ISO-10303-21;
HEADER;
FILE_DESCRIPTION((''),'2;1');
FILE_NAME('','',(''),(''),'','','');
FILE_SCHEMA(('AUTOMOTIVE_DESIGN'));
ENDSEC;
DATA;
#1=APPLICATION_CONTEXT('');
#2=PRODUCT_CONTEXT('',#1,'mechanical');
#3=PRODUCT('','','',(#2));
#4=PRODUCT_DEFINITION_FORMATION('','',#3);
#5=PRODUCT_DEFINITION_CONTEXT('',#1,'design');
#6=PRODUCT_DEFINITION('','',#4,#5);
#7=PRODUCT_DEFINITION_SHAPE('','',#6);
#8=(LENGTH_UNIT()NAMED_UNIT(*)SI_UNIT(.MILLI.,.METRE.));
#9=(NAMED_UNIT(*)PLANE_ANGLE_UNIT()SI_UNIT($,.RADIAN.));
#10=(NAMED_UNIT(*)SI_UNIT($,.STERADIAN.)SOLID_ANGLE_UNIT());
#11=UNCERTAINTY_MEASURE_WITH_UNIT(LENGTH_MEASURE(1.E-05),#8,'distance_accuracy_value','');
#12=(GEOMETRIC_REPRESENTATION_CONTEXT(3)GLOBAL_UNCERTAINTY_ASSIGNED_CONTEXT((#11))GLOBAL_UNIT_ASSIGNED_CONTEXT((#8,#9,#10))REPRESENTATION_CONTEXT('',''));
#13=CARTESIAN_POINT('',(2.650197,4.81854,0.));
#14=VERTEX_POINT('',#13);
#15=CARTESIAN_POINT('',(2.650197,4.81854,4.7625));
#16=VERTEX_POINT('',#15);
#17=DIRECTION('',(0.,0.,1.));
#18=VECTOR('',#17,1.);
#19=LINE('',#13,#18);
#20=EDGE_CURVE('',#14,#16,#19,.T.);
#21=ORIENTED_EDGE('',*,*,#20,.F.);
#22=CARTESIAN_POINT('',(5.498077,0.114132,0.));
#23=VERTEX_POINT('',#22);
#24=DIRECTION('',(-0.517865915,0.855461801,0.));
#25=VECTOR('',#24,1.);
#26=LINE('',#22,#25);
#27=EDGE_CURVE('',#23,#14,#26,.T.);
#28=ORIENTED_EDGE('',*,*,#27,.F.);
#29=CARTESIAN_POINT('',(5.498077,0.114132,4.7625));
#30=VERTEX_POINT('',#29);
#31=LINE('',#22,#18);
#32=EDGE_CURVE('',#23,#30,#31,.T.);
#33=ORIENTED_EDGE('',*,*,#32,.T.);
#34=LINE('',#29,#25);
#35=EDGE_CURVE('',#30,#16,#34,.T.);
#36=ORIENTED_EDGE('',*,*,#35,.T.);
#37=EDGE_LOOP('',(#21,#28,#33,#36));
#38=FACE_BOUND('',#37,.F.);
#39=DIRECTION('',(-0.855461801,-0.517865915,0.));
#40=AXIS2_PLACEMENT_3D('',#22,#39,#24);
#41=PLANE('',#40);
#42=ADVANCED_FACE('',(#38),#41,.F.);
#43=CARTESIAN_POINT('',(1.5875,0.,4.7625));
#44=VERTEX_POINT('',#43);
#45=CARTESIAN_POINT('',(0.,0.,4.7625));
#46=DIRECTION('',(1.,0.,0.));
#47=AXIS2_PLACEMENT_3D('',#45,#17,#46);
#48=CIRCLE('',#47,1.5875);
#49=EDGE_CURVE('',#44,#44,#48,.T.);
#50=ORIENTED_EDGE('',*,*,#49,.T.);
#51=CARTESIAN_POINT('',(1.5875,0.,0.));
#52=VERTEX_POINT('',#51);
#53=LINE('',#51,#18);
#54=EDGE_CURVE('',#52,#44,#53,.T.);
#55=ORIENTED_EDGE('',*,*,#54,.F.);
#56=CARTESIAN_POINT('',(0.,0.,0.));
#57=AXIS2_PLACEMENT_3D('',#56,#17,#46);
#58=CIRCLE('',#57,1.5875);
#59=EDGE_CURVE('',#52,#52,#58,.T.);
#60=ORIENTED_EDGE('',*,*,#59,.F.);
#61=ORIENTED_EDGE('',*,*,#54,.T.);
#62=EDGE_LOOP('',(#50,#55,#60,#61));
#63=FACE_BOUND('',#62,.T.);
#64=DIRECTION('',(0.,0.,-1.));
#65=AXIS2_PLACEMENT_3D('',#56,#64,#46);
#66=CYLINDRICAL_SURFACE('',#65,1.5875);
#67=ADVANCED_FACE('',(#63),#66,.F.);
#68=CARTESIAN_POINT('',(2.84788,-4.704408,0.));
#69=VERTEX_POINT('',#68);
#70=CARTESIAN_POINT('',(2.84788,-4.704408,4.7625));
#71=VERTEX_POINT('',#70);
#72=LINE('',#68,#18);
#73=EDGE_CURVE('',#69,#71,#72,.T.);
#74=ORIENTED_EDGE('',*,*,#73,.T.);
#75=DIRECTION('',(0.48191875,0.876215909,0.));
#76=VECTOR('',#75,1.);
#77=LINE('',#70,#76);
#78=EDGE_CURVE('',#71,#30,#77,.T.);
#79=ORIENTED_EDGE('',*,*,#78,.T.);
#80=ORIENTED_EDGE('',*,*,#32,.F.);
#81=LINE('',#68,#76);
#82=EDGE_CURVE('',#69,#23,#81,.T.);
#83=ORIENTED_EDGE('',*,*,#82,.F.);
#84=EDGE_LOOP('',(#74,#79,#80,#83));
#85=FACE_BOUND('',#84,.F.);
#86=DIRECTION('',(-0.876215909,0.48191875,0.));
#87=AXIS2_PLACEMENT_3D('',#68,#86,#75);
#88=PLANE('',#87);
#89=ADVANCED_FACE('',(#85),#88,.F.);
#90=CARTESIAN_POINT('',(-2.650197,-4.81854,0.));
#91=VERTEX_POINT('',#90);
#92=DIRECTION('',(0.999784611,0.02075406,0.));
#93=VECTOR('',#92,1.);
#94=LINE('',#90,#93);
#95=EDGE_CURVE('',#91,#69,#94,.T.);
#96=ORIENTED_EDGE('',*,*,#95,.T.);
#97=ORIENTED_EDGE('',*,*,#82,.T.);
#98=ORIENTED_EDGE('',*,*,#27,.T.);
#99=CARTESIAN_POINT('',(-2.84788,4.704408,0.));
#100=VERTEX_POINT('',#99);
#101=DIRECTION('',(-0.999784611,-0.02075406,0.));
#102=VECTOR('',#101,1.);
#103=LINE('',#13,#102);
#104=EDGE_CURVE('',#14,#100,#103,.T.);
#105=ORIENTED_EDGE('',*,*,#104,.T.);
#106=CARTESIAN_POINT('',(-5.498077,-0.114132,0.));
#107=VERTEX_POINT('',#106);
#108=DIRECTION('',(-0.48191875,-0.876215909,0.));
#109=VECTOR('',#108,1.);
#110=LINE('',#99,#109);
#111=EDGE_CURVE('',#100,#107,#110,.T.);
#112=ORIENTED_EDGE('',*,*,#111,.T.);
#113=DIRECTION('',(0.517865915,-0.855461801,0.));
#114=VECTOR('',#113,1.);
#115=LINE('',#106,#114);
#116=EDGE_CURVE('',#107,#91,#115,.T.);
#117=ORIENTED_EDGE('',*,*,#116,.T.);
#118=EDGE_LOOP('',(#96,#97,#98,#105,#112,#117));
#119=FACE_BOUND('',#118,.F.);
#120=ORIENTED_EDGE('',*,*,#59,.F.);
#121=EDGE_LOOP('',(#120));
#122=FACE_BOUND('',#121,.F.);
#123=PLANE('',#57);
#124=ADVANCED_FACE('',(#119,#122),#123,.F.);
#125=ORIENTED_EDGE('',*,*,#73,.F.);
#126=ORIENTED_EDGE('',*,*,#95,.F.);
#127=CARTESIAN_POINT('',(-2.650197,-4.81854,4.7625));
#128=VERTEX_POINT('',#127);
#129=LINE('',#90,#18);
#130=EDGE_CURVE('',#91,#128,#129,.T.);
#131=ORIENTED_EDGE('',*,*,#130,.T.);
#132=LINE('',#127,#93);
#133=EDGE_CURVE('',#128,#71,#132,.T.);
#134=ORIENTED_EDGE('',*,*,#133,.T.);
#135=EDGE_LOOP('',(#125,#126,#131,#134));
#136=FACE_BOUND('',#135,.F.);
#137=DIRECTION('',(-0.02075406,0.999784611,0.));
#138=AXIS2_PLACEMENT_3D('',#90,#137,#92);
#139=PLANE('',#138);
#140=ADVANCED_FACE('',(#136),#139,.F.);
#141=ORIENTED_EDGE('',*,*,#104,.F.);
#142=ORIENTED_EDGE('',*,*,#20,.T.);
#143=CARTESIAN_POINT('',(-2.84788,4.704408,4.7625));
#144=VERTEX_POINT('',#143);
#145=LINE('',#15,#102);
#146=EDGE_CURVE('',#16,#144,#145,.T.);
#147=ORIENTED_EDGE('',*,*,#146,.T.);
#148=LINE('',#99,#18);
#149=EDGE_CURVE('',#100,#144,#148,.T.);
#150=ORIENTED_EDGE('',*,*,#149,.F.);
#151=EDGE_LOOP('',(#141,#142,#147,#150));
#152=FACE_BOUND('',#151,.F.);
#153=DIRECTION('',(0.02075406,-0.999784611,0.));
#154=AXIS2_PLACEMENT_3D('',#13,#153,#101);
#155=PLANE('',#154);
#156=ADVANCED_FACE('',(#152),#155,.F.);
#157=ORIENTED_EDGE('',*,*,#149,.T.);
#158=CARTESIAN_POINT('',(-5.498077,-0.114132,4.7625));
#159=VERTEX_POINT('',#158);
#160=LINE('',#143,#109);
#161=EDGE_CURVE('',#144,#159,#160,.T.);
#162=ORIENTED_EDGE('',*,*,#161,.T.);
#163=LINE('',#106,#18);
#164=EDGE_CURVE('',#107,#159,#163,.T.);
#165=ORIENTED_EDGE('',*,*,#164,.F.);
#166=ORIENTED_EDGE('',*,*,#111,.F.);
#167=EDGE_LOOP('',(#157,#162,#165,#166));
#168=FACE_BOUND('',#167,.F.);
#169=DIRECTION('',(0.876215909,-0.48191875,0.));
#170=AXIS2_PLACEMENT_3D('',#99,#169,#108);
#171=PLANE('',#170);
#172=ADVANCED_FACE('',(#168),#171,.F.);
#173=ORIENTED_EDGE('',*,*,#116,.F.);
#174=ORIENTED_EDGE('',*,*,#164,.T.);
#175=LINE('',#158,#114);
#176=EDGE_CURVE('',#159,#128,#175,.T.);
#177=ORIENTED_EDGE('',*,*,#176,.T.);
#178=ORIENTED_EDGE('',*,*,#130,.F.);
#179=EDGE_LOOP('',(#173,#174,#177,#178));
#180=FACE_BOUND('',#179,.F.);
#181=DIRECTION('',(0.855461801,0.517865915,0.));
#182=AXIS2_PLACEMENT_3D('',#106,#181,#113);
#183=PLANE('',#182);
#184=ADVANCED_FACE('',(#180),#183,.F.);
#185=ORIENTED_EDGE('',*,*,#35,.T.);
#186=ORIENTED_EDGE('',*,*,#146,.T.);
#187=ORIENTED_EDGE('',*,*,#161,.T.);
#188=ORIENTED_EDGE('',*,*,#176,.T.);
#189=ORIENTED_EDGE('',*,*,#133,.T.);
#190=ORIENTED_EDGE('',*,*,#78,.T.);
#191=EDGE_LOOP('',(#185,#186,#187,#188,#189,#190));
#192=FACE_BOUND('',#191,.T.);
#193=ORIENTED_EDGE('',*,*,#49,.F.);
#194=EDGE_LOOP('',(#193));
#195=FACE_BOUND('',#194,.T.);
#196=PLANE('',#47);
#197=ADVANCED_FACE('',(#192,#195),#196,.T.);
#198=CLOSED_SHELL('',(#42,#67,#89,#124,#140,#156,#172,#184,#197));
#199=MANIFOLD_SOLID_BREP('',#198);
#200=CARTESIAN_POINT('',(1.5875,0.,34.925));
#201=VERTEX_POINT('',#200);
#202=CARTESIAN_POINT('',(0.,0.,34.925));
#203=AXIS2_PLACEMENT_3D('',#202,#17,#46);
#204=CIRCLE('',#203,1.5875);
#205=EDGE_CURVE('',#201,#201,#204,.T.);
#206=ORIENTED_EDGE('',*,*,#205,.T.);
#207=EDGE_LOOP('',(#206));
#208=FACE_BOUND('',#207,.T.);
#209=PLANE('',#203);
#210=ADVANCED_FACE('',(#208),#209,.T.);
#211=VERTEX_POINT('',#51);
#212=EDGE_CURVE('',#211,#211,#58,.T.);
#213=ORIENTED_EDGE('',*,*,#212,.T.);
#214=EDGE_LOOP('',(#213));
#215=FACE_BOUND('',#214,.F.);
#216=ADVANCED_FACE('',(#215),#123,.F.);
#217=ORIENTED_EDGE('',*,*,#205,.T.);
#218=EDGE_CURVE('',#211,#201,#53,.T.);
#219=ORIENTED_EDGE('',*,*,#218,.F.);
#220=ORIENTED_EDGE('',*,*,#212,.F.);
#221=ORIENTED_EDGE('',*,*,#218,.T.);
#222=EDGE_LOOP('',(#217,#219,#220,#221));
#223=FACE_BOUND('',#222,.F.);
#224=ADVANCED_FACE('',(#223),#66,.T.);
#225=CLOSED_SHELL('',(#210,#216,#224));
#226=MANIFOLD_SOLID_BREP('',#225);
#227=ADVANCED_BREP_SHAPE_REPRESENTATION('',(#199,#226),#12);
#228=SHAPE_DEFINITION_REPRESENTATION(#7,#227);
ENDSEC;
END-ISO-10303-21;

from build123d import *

# Parameters (mm, degrees)
F0_R     = 1.5875
F1_DEPTH = 4.7625
F2_R     = 1.5875
F3_DEPTH = 34.925


with BuildPart() as f1:
    # F0 (on Top) → F1 (new body)
    with BuildSketch(Plane.XY):
        Polygon((2.84788, -4.704408), (5.498077, 0.114132), (2.650197, 4.81854), (-2.84788, 4.704408), (-5.498077, -0.114132), (-2.650197, -4.81854), align=None)
        Circle(F0_R, mode=Mode.SUBTRACT)
    extrude(amount=F1_DEPTH)


with BuildPart() as f3:
    # F2 (on Top) → F3 (new body)
    with BuildSketch(Plane.XY):
        Circle(F2_R)
    extrude(amount=F3_DEPTH)


solid = Compound([f1.part, f3.part])
